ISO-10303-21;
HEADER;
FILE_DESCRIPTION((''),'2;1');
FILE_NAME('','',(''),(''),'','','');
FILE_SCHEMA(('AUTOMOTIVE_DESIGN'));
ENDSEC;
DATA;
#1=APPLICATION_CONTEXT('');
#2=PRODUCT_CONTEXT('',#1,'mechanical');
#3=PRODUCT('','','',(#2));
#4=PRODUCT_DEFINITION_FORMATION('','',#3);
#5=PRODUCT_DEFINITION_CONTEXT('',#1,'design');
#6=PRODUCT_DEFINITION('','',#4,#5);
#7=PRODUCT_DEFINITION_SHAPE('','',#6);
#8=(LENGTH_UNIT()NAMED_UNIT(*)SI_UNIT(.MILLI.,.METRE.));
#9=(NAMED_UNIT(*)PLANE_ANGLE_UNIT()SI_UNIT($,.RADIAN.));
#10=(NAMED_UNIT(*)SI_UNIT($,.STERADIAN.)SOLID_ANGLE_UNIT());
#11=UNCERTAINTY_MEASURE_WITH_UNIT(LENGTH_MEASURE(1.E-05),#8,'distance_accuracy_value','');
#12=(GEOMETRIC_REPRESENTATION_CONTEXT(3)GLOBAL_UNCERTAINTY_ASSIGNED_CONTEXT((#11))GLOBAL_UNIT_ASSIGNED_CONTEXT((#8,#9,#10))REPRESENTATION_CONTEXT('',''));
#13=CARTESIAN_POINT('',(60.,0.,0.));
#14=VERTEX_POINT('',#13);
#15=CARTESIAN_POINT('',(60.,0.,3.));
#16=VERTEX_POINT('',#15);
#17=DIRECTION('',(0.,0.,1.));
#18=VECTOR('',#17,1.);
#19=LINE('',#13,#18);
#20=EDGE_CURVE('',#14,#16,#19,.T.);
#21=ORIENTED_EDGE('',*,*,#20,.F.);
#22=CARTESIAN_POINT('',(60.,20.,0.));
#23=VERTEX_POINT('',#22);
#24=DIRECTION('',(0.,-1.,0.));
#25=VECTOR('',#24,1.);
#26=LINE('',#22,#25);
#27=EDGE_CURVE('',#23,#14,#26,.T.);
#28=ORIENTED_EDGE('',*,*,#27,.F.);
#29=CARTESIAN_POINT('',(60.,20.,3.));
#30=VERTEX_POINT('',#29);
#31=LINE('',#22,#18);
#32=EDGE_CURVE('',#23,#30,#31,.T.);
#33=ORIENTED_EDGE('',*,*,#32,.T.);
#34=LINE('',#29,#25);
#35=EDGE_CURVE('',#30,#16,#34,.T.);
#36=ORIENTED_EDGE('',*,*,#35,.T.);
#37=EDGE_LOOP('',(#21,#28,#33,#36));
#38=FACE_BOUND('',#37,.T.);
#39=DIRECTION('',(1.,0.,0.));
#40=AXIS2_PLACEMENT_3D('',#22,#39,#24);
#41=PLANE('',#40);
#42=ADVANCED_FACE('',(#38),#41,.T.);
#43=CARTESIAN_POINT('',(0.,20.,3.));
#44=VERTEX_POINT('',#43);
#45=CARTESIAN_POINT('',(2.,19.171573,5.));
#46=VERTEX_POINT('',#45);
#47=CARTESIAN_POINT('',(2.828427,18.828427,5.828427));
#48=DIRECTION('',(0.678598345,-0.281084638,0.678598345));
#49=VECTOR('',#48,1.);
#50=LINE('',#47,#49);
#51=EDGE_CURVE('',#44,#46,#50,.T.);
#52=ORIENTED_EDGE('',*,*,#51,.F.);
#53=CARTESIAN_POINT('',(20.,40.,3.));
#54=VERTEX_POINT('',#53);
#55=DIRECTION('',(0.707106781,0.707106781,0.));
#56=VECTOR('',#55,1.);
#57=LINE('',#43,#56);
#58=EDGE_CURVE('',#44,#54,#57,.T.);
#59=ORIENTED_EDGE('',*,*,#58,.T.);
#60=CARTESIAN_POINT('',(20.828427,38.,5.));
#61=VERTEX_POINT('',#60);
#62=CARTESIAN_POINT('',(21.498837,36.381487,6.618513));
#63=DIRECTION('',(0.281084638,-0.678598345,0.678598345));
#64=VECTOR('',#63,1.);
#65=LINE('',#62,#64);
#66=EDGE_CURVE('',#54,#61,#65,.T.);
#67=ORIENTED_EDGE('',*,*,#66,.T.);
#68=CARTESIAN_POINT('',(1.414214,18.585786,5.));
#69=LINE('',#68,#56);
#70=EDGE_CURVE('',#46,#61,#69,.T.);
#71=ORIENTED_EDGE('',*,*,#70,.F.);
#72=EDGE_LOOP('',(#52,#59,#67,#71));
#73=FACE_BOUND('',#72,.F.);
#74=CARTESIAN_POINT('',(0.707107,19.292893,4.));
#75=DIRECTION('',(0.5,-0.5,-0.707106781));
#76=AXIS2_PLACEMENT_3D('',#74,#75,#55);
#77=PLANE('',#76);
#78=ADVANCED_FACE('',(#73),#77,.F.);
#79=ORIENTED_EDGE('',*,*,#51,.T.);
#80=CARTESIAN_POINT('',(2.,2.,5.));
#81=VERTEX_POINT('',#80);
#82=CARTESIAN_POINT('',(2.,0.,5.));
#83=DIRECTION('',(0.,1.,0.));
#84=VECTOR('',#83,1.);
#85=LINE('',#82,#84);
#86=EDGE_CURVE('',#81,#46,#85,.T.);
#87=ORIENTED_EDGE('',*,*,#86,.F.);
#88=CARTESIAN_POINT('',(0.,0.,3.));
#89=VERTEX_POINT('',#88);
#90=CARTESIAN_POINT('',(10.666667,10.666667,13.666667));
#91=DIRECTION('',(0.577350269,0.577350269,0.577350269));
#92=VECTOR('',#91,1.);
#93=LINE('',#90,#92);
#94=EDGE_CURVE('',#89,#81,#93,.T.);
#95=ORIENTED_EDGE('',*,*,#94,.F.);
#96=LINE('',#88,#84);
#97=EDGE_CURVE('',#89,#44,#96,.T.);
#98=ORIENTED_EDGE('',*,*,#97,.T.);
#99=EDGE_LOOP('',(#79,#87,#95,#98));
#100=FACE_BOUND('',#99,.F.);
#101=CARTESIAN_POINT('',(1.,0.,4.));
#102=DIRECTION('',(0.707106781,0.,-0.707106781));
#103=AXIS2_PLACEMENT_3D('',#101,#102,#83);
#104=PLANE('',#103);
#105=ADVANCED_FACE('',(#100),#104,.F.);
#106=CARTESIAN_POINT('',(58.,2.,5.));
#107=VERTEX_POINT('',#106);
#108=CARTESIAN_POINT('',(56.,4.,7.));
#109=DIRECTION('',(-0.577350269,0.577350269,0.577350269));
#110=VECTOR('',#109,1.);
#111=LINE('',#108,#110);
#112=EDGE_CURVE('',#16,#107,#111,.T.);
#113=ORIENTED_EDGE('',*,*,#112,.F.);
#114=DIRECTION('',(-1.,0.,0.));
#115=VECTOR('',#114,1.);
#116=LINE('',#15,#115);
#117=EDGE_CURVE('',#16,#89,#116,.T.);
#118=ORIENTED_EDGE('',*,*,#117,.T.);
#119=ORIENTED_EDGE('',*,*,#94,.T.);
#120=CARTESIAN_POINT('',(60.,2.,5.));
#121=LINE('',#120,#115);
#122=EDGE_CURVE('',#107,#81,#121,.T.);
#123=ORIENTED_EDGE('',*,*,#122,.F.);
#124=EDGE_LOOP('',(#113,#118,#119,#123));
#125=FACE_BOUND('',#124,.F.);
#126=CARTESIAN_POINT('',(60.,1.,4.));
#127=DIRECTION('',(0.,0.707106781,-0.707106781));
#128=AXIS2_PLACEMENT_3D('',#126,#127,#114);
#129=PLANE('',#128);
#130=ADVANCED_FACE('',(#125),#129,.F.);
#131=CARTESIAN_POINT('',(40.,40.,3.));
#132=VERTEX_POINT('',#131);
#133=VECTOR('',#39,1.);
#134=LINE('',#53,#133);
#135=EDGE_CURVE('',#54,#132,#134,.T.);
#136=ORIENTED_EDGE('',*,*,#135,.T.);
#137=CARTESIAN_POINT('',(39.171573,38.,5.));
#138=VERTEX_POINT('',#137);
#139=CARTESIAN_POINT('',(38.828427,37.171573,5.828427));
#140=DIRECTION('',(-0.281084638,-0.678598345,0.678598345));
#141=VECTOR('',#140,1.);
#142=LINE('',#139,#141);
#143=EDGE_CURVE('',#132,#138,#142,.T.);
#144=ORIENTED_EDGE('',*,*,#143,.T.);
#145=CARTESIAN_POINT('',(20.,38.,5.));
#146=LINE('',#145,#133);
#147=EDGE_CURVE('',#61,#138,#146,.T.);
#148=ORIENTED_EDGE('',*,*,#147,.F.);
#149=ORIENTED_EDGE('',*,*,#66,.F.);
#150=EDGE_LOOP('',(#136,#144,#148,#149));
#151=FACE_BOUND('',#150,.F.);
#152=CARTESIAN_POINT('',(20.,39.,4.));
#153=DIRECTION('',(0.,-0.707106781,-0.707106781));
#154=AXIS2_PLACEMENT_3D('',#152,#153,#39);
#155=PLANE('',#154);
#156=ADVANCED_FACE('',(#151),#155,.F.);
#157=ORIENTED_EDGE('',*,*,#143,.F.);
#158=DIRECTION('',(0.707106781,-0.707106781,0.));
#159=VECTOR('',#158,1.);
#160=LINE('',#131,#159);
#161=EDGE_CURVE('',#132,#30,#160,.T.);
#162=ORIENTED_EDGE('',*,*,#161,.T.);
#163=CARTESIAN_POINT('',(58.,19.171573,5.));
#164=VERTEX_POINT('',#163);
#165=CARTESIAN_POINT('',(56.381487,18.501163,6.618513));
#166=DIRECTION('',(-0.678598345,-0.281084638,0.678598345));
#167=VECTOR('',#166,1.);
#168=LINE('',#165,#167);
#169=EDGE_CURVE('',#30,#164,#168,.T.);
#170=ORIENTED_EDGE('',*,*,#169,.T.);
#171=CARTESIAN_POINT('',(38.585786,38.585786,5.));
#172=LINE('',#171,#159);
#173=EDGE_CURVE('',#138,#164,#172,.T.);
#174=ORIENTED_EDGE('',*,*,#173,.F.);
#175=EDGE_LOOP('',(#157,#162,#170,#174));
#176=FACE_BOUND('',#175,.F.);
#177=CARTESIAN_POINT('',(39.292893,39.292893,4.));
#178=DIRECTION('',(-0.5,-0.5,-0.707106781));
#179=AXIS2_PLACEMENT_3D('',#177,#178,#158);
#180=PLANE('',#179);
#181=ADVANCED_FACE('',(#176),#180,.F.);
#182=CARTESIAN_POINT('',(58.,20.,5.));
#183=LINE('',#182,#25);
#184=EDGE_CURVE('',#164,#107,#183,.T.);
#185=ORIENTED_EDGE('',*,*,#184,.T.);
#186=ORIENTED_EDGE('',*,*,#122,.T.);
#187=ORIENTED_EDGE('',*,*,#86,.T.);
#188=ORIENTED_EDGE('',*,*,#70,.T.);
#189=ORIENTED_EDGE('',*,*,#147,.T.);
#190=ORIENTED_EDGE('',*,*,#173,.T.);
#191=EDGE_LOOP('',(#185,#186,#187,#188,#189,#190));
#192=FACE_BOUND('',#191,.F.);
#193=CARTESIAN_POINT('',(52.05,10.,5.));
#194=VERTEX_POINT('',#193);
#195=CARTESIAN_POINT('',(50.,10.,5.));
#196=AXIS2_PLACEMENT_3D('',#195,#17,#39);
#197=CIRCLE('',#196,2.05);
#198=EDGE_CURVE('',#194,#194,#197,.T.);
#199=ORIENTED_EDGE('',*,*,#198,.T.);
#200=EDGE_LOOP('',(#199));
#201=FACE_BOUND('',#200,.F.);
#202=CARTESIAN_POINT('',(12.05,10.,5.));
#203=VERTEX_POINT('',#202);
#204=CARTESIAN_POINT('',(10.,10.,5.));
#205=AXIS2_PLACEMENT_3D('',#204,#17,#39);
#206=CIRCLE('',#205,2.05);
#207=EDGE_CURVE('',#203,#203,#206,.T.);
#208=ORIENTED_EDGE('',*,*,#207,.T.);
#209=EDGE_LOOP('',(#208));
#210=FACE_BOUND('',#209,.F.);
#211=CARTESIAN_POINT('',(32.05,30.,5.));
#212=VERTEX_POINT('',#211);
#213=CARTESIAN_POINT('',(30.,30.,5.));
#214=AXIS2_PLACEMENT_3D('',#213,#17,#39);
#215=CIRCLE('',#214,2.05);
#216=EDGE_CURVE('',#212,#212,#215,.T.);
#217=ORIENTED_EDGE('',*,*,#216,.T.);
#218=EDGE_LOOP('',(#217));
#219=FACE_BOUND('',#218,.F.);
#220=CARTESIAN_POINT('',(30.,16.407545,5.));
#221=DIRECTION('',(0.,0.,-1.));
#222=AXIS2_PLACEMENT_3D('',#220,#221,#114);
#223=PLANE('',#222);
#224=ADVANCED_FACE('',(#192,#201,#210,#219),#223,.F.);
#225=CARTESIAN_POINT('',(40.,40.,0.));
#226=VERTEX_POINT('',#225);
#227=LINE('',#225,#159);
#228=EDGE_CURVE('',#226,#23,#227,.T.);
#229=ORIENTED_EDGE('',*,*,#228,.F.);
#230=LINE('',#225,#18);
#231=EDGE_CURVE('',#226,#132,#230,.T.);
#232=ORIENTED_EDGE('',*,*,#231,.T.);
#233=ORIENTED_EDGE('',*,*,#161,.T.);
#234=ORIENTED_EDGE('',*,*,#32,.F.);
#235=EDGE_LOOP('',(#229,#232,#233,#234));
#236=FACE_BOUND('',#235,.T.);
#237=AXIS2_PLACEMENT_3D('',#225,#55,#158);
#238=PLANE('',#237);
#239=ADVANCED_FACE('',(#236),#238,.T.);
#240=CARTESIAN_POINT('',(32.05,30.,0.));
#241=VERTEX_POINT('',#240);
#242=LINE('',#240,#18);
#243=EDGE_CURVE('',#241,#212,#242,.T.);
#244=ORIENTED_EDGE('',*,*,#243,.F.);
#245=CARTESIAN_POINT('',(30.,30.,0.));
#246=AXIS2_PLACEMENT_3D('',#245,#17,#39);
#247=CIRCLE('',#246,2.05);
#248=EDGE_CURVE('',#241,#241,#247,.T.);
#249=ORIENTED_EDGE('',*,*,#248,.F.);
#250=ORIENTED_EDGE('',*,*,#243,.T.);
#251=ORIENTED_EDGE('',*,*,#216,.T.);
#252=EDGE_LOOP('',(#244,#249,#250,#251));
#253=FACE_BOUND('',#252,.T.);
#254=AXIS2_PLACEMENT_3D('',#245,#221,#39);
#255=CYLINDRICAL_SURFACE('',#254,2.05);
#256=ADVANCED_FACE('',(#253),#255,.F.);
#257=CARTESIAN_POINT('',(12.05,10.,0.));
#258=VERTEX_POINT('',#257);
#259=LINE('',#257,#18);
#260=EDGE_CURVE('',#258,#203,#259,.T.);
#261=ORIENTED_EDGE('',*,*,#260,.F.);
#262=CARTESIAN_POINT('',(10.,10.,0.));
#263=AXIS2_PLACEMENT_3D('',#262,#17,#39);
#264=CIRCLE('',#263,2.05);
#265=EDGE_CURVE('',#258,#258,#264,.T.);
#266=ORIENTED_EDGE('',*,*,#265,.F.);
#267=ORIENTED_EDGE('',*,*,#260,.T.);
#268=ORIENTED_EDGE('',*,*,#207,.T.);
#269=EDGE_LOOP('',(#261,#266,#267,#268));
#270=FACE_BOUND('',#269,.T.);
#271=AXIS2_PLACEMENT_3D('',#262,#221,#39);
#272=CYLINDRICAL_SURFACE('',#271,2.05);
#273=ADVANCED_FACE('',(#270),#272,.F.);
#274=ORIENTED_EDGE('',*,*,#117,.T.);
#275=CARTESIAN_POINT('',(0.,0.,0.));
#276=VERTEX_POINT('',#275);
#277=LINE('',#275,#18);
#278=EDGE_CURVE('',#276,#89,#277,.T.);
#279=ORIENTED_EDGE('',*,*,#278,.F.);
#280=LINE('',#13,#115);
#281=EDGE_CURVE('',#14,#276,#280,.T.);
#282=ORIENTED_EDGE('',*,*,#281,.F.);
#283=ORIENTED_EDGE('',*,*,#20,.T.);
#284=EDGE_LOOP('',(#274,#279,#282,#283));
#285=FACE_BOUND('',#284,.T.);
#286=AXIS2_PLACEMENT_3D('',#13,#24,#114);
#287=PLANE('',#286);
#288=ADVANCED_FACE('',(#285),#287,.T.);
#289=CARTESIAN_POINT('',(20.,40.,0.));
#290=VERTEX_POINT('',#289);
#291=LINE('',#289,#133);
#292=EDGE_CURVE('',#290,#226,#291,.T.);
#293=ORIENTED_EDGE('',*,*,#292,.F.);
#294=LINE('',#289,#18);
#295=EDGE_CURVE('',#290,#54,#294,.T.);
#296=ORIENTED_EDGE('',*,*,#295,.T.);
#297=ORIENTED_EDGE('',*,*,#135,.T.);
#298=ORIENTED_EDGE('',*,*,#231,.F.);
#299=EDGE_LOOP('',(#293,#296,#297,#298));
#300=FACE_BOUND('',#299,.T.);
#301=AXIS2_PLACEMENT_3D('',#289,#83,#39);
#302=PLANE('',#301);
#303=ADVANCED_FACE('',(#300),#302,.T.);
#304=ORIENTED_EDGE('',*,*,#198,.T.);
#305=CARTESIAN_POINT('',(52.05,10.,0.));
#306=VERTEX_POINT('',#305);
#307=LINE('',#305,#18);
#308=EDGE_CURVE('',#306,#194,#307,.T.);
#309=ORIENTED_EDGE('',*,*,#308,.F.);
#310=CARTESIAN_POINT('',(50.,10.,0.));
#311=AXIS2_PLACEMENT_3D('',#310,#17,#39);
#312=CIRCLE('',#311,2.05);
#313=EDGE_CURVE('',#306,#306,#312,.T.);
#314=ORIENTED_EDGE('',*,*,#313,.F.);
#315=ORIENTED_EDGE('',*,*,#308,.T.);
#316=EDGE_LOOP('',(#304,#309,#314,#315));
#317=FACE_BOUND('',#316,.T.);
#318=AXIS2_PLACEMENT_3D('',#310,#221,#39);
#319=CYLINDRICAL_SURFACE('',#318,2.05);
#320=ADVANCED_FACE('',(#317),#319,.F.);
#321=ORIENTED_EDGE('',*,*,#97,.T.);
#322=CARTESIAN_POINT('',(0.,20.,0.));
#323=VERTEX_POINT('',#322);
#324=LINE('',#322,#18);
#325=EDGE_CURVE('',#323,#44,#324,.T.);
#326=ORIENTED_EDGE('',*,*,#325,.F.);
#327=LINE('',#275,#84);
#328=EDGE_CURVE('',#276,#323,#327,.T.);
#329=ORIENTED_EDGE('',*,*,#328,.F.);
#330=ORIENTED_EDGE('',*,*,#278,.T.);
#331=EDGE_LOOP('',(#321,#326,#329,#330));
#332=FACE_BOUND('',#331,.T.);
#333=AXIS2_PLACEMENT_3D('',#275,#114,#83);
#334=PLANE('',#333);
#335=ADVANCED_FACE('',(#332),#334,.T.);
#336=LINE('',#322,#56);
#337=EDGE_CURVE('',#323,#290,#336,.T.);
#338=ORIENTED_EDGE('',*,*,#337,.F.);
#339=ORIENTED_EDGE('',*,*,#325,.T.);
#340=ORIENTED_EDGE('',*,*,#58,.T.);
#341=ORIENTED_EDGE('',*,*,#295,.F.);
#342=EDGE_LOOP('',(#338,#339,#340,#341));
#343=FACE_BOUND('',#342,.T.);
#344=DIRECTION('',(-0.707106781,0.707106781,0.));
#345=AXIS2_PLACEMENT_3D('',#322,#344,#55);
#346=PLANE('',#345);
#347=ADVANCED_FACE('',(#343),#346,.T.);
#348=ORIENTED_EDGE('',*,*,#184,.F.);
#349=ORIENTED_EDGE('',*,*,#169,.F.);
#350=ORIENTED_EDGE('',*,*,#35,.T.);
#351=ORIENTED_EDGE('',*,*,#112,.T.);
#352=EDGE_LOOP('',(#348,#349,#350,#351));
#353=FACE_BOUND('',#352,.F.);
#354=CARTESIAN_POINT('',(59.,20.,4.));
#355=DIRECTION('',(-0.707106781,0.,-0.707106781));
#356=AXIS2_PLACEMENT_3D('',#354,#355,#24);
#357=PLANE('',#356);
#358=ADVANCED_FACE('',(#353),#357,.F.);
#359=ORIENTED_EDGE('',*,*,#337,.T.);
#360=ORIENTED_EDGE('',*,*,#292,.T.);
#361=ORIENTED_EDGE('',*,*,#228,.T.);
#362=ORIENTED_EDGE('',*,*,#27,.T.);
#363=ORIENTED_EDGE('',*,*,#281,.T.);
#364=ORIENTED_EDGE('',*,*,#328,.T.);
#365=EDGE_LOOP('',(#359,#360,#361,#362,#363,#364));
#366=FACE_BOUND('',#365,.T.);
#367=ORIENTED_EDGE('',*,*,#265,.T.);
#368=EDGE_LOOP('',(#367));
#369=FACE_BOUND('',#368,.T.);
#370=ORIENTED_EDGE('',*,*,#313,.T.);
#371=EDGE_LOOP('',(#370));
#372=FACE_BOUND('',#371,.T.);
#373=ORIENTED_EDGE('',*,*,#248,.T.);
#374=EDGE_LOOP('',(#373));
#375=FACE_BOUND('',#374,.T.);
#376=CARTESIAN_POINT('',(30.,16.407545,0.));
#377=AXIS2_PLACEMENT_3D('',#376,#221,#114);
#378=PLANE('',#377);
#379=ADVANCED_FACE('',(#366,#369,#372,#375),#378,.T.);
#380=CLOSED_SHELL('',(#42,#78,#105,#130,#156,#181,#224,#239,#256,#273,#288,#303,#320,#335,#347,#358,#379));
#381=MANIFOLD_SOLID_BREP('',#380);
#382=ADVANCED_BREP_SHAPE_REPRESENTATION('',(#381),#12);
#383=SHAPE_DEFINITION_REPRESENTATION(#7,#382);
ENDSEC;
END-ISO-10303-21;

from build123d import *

# Parameters (mm, degrees)
SKETCH_R      = 2.05
EXTRUDE_DEPTH = 5
CHAMFER_SIZE  = 2


with BuildPart() as part:
    # Sketch → Extrude (new body)
    with BuildSketch(Plane.XY):
        Polygon((0, 0), (0, 20), (20, 40), (40, 40), (60, 20), (60, 0), align=None)
        with Locations((10, 10)):
            Circle(SKETCH_R, mode=Mode.SUBTRACT)
        with Locations((50, 10)):
            Circle(SKETCH_R, mode=Mode.SUBTRACT)
        with Locations((30, 30)):
            Circle(SKETCH_R, mode=Mode.SUBTRACT)
    extrude(amount=EXTRUDE_DEPTH)

    # Chamfer
    chamfer_edges = [part.edges().sort_by_distance(p)[0] for p in [
        (0, 10, 5),
        (10, 30, 5),
        (30, 40, 5),
        (50, 30, 5),
        (60, 10, 5),
        (30, 0, 5),
    ]]
    chamfer(chamfer_edges, length=CHAMFER_SIZE)


solid = part.part
